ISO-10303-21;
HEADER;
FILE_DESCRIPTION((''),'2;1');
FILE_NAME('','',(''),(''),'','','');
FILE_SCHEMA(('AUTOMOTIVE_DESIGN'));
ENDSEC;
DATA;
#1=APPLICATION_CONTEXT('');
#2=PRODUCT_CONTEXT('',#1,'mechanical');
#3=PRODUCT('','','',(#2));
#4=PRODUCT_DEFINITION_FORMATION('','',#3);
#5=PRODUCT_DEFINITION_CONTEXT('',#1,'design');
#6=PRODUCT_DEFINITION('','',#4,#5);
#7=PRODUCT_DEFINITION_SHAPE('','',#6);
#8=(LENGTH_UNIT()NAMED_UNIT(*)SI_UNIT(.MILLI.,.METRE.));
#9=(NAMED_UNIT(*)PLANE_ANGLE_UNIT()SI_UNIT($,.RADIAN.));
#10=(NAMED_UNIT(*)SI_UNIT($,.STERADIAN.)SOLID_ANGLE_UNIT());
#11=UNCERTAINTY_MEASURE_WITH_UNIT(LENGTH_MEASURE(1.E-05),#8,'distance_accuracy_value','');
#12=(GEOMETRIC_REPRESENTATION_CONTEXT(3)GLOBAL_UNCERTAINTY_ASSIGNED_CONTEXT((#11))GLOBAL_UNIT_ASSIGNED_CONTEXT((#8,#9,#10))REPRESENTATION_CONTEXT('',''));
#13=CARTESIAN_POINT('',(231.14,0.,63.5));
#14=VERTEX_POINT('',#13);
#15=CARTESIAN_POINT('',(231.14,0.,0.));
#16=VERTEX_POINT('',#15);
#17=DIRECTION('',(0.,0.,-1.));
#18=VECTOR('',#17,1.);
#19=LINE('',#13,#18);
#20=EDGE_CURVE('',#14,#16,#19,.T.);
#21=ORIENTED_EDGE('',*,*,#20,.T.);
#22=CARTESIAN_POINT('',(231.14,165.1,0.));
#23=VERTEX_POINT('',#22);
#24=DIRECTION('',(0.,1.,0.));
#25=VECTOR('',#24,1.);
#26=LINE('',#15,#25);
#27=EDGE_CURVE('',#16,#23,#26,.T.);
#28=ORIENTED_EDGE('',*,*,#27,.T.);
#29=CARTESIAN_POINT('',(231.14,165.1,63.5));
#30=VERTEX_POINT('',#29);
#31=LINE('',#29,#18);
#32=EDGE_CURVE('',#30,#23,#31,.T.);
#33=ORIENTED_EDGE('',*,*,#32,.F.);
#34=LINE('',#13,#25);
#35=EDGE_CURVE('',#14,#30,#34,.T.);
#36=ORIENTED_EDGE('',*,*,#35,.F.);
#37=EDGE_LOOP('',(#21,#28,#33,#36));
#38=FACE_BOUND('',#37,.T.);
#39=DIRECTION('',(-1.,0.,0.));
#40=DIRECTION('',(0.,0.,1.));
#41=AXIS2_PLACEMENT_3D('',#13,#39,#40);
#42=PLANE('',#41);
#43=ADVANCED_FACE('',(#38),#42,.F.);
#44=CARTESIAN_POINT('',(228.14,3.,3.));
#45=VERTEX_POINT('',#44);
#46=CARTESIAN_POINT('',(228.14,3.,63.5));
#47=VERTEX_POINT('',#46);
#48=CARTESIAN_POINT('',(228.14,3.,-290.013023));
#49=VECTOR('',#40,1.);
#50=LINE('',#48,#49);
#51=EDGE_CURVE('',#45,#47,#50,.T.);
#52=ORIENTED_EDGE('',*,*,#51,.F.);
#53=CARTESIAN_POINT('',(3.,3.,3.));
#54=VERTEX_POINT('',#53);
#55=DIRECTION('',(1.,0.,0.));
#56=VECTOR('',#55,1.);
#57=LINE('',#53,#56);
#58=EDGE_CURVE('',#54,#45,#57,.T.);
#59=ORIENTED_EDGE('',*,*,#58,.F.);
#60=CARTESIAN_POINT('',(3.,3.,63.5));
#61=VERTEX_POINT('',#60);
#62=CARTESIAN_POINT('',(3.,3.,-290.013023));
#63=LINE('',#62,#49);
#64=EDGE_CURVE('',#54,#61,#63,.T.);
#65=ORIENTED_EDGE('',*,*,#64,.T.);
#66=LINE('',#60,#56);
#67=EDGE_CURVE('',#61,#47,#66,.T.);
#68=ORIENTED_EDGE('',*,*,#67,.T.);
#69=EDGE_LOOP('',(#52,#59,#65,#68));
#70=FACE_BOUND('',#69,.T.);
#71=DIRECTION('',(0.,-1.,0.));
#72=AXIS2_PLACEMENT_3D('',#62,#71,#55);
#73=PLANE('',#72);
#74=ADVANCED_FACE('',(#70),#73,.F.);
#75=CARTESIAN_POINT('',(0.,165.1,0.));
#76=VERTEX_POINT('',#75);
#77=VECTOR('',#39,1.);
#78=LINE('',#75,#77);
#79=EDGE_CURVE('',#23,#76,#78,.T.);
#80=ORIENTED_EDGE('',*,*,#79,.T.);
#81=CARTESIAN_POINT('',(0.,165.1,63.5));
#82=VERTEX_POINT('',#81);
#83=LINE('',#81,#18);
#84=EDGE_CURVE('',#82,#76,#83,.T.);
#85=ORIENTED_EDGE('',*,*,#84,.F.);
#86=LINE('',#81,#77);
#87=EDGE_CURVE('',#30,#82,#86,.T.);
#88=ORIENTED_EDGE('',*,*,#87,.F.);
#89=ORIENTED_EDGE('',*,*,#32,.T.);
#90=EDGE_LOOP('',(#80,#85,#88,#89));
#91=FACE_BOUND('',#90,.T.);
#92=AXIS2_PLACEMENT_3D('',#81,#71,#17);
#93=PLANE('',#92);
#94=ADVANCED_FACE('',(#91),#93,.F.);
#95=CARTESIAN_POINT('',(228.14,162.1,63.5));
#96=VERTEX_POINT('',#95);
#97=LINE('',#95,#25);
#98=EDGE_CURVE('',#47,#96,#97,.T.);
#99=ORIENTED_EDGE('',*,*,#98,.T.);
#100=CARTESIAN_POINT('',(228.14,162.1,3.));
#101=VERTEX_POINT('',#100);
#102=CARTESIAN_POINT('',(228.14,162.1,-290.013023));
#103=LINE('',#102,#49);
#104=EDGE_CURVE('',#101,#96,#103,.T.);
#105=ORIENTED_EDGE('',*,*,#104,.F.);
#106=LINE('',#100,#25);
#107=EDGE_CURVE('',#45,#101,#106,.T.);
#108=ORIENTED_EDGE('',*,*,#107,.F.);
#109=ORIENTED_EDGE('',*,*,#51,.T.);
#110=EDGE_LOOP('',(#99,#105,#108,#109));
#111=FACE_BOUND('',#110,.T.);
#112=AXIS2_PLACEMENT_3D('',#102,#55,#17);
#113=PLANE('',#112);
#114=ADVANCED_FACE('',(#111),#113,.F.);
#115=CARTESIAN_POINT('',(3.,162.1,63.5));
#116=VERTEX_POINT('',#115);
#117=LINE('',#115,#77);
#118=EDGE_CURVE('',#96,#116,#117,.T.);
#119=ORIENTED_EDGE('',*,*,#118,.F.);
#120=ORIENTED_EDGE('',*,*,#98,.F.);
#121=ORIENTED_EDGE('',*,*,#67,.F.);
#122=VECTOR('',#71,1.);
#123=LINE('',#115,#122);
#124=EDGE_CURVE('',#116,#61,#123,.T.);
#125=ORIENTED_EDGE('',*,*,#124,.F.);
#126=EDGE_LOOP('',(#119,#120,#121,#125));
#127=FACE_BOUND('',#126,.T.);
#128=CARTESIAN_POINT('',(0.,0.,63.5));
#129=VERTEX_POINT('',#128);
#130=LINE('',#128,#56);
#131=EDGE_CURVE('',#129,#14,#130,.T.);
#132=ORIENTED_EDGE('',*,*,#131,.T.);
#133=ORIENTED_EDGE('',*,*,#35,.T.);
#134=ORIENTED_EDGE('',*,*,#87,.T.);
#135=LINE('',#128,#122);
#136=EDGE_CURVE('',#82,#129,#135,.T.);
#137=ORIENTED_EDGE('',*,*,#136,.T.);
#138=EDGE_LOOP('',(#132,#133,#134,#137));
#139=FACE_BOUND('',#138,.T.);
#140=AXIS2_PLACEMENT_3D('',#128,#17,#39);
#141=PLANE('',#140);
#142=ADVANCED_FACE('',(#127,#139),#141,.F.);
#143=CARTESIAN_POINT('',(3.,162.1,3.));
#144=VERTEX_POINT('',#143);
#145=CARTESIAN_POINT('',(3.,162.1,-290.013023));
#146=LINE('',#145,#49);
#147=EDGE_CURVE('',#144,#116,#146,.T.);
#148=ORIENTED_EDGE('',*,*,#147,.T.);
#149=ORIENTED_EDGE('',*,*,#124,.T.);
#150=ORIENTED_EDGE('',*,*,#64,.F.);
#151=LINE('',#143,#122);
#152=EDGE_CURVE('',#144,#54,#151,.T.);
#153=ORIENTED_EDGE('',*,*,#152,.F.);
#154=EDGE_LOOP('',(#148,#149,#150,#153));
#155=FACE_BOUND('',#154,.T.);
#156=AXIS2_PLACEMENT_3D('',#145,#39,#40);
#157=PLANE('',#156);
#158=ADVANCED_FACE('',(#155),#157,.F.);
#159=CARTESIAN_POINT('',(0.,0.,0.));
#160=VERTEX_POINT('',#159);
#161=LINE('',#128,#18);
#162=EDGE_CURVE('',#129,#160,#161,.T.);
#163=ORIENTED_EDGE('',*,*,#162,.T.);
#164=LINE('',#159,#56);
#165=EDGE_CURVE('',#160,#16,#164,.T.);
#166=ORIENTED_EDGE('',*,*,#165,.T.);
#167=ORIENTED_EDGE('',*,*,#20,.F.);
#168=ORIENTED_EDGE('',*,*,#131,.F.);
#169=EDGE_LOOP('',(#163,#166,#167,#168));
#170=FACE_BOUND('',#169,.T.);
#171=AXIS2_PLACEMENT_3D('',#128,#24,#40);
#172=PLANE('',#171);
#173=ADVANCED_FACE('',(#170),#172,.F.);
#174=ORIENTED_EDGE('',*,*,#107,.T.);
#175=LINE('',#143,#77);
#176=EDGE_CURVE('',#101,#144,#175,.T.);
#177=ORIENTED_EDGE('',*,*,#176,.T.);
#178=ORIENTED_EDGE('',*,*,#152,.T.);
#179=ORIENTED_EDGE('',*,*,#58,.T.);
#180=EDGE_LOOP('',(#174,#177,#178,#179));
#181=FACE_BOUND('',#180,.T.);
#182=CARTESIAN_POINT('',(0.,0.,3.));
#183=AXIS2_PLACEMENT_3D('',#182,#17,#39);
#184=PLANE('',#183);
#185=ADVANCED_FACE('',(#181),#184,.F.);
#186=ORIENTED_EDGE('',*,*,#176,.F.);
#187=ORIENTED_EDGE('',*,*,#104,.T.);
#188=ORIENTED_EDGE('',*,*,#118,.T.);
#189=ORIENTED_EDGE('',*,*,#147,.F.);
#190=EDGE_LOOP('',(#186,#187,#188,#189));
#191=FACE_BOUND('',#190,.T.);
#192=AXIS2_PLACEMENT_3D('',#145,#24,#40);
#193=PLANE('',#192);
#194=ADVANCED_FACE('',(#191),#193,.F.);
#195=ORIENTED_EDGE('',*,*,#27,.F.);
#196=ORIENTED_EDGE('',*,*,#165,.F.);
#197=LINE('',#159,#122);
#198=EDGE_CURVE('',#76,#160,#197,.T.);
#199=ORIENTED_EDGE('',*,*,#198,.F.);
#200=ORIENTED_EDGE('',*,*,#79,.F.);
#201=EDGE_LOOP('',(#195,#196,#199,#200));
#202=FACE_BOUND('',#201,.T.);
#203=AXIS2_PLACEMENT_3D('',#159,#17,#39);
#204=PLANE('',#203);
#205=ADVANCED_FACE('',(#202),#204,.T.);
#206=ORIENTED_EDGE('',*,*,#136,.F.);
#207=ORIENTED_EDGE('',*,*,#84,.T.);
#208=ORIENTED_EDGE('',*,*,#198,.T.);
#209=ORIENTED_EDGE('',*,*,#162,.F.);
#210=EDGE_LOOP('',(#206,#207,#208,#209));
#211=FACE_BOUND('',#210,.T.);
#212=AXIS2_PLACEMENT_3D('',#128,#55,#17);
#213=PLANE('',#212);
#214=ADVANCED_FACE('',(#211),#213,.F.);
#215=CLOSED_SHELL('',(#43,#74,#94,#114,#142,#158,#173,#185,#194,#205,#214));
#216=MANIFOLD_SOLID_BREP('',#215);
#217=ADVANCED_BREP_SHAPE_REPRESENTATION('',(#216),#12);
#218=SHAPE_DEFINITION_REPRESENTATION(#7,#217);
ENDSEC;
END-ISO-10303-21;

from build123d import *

# Parameters (mm, degrees)
SKETCH1_W           = 231.14
SKETCH1_H           = 165.1
BOSS_EXTRUDE1_DEPTH = 63.5
SKETCH2_OUTSIDE_W   = 291.352
SKETCH2_OUTSIDE_H   = 225.312
SKETCH2_OUTSIDE_W_2 = 231.14
SKETCH2_OUTSIDE_H_2 = 165.1
SKETCH2_OUTSIDE_W_3 = 225.14
SKETCH2_OUTSIDE_H_3 = 159.1
CUT_EXTRUDE1_DEPTH  = 60.5


with BuildPart() as part:
    # Sketch1 → Boss-Extrude1 (new body)
    with BuildSketch(Plane.XY):
        with Locations((115.57, 82.55)):
            Rectangle(SKETCH1_W, SKETCH1_H)
    extrude(amount=BOSS_EXTRUDE1_DEPTH)

    # Sketch2 outside → Cut-Extrude1 (cut)
    # profile 1 of 2: a face of its own
    with BuildSketch(Plane.XY.offset(63.5)):
        with Locations((115.57, 82.55)):
            Rectangle(SKETCH2_OUTSIDE_W, SKETCH2_OUTSIDE_H)
        with Locations((115.57, 82.55)):
            Rectangle(SKETCH2_OUTSIDE_W_2, SKETCH2_OUTSIDE_H_2, mode=Mode.SUBTRACT)
    # profile 2 of 2: a face of its own
    with BuildSketch(Plane.XY.offset(63.5)):
        with Locations((115.57, 82.55)):
            Rectangle(SKETCH2_OUTSIDE_W_3, SKETCH2_OUTSIDE_H_3)
    extrude(amount=-CUT_EXTRUDE1_DEPTH, mode=Mode.SUBTRACT)


solid = part.part
